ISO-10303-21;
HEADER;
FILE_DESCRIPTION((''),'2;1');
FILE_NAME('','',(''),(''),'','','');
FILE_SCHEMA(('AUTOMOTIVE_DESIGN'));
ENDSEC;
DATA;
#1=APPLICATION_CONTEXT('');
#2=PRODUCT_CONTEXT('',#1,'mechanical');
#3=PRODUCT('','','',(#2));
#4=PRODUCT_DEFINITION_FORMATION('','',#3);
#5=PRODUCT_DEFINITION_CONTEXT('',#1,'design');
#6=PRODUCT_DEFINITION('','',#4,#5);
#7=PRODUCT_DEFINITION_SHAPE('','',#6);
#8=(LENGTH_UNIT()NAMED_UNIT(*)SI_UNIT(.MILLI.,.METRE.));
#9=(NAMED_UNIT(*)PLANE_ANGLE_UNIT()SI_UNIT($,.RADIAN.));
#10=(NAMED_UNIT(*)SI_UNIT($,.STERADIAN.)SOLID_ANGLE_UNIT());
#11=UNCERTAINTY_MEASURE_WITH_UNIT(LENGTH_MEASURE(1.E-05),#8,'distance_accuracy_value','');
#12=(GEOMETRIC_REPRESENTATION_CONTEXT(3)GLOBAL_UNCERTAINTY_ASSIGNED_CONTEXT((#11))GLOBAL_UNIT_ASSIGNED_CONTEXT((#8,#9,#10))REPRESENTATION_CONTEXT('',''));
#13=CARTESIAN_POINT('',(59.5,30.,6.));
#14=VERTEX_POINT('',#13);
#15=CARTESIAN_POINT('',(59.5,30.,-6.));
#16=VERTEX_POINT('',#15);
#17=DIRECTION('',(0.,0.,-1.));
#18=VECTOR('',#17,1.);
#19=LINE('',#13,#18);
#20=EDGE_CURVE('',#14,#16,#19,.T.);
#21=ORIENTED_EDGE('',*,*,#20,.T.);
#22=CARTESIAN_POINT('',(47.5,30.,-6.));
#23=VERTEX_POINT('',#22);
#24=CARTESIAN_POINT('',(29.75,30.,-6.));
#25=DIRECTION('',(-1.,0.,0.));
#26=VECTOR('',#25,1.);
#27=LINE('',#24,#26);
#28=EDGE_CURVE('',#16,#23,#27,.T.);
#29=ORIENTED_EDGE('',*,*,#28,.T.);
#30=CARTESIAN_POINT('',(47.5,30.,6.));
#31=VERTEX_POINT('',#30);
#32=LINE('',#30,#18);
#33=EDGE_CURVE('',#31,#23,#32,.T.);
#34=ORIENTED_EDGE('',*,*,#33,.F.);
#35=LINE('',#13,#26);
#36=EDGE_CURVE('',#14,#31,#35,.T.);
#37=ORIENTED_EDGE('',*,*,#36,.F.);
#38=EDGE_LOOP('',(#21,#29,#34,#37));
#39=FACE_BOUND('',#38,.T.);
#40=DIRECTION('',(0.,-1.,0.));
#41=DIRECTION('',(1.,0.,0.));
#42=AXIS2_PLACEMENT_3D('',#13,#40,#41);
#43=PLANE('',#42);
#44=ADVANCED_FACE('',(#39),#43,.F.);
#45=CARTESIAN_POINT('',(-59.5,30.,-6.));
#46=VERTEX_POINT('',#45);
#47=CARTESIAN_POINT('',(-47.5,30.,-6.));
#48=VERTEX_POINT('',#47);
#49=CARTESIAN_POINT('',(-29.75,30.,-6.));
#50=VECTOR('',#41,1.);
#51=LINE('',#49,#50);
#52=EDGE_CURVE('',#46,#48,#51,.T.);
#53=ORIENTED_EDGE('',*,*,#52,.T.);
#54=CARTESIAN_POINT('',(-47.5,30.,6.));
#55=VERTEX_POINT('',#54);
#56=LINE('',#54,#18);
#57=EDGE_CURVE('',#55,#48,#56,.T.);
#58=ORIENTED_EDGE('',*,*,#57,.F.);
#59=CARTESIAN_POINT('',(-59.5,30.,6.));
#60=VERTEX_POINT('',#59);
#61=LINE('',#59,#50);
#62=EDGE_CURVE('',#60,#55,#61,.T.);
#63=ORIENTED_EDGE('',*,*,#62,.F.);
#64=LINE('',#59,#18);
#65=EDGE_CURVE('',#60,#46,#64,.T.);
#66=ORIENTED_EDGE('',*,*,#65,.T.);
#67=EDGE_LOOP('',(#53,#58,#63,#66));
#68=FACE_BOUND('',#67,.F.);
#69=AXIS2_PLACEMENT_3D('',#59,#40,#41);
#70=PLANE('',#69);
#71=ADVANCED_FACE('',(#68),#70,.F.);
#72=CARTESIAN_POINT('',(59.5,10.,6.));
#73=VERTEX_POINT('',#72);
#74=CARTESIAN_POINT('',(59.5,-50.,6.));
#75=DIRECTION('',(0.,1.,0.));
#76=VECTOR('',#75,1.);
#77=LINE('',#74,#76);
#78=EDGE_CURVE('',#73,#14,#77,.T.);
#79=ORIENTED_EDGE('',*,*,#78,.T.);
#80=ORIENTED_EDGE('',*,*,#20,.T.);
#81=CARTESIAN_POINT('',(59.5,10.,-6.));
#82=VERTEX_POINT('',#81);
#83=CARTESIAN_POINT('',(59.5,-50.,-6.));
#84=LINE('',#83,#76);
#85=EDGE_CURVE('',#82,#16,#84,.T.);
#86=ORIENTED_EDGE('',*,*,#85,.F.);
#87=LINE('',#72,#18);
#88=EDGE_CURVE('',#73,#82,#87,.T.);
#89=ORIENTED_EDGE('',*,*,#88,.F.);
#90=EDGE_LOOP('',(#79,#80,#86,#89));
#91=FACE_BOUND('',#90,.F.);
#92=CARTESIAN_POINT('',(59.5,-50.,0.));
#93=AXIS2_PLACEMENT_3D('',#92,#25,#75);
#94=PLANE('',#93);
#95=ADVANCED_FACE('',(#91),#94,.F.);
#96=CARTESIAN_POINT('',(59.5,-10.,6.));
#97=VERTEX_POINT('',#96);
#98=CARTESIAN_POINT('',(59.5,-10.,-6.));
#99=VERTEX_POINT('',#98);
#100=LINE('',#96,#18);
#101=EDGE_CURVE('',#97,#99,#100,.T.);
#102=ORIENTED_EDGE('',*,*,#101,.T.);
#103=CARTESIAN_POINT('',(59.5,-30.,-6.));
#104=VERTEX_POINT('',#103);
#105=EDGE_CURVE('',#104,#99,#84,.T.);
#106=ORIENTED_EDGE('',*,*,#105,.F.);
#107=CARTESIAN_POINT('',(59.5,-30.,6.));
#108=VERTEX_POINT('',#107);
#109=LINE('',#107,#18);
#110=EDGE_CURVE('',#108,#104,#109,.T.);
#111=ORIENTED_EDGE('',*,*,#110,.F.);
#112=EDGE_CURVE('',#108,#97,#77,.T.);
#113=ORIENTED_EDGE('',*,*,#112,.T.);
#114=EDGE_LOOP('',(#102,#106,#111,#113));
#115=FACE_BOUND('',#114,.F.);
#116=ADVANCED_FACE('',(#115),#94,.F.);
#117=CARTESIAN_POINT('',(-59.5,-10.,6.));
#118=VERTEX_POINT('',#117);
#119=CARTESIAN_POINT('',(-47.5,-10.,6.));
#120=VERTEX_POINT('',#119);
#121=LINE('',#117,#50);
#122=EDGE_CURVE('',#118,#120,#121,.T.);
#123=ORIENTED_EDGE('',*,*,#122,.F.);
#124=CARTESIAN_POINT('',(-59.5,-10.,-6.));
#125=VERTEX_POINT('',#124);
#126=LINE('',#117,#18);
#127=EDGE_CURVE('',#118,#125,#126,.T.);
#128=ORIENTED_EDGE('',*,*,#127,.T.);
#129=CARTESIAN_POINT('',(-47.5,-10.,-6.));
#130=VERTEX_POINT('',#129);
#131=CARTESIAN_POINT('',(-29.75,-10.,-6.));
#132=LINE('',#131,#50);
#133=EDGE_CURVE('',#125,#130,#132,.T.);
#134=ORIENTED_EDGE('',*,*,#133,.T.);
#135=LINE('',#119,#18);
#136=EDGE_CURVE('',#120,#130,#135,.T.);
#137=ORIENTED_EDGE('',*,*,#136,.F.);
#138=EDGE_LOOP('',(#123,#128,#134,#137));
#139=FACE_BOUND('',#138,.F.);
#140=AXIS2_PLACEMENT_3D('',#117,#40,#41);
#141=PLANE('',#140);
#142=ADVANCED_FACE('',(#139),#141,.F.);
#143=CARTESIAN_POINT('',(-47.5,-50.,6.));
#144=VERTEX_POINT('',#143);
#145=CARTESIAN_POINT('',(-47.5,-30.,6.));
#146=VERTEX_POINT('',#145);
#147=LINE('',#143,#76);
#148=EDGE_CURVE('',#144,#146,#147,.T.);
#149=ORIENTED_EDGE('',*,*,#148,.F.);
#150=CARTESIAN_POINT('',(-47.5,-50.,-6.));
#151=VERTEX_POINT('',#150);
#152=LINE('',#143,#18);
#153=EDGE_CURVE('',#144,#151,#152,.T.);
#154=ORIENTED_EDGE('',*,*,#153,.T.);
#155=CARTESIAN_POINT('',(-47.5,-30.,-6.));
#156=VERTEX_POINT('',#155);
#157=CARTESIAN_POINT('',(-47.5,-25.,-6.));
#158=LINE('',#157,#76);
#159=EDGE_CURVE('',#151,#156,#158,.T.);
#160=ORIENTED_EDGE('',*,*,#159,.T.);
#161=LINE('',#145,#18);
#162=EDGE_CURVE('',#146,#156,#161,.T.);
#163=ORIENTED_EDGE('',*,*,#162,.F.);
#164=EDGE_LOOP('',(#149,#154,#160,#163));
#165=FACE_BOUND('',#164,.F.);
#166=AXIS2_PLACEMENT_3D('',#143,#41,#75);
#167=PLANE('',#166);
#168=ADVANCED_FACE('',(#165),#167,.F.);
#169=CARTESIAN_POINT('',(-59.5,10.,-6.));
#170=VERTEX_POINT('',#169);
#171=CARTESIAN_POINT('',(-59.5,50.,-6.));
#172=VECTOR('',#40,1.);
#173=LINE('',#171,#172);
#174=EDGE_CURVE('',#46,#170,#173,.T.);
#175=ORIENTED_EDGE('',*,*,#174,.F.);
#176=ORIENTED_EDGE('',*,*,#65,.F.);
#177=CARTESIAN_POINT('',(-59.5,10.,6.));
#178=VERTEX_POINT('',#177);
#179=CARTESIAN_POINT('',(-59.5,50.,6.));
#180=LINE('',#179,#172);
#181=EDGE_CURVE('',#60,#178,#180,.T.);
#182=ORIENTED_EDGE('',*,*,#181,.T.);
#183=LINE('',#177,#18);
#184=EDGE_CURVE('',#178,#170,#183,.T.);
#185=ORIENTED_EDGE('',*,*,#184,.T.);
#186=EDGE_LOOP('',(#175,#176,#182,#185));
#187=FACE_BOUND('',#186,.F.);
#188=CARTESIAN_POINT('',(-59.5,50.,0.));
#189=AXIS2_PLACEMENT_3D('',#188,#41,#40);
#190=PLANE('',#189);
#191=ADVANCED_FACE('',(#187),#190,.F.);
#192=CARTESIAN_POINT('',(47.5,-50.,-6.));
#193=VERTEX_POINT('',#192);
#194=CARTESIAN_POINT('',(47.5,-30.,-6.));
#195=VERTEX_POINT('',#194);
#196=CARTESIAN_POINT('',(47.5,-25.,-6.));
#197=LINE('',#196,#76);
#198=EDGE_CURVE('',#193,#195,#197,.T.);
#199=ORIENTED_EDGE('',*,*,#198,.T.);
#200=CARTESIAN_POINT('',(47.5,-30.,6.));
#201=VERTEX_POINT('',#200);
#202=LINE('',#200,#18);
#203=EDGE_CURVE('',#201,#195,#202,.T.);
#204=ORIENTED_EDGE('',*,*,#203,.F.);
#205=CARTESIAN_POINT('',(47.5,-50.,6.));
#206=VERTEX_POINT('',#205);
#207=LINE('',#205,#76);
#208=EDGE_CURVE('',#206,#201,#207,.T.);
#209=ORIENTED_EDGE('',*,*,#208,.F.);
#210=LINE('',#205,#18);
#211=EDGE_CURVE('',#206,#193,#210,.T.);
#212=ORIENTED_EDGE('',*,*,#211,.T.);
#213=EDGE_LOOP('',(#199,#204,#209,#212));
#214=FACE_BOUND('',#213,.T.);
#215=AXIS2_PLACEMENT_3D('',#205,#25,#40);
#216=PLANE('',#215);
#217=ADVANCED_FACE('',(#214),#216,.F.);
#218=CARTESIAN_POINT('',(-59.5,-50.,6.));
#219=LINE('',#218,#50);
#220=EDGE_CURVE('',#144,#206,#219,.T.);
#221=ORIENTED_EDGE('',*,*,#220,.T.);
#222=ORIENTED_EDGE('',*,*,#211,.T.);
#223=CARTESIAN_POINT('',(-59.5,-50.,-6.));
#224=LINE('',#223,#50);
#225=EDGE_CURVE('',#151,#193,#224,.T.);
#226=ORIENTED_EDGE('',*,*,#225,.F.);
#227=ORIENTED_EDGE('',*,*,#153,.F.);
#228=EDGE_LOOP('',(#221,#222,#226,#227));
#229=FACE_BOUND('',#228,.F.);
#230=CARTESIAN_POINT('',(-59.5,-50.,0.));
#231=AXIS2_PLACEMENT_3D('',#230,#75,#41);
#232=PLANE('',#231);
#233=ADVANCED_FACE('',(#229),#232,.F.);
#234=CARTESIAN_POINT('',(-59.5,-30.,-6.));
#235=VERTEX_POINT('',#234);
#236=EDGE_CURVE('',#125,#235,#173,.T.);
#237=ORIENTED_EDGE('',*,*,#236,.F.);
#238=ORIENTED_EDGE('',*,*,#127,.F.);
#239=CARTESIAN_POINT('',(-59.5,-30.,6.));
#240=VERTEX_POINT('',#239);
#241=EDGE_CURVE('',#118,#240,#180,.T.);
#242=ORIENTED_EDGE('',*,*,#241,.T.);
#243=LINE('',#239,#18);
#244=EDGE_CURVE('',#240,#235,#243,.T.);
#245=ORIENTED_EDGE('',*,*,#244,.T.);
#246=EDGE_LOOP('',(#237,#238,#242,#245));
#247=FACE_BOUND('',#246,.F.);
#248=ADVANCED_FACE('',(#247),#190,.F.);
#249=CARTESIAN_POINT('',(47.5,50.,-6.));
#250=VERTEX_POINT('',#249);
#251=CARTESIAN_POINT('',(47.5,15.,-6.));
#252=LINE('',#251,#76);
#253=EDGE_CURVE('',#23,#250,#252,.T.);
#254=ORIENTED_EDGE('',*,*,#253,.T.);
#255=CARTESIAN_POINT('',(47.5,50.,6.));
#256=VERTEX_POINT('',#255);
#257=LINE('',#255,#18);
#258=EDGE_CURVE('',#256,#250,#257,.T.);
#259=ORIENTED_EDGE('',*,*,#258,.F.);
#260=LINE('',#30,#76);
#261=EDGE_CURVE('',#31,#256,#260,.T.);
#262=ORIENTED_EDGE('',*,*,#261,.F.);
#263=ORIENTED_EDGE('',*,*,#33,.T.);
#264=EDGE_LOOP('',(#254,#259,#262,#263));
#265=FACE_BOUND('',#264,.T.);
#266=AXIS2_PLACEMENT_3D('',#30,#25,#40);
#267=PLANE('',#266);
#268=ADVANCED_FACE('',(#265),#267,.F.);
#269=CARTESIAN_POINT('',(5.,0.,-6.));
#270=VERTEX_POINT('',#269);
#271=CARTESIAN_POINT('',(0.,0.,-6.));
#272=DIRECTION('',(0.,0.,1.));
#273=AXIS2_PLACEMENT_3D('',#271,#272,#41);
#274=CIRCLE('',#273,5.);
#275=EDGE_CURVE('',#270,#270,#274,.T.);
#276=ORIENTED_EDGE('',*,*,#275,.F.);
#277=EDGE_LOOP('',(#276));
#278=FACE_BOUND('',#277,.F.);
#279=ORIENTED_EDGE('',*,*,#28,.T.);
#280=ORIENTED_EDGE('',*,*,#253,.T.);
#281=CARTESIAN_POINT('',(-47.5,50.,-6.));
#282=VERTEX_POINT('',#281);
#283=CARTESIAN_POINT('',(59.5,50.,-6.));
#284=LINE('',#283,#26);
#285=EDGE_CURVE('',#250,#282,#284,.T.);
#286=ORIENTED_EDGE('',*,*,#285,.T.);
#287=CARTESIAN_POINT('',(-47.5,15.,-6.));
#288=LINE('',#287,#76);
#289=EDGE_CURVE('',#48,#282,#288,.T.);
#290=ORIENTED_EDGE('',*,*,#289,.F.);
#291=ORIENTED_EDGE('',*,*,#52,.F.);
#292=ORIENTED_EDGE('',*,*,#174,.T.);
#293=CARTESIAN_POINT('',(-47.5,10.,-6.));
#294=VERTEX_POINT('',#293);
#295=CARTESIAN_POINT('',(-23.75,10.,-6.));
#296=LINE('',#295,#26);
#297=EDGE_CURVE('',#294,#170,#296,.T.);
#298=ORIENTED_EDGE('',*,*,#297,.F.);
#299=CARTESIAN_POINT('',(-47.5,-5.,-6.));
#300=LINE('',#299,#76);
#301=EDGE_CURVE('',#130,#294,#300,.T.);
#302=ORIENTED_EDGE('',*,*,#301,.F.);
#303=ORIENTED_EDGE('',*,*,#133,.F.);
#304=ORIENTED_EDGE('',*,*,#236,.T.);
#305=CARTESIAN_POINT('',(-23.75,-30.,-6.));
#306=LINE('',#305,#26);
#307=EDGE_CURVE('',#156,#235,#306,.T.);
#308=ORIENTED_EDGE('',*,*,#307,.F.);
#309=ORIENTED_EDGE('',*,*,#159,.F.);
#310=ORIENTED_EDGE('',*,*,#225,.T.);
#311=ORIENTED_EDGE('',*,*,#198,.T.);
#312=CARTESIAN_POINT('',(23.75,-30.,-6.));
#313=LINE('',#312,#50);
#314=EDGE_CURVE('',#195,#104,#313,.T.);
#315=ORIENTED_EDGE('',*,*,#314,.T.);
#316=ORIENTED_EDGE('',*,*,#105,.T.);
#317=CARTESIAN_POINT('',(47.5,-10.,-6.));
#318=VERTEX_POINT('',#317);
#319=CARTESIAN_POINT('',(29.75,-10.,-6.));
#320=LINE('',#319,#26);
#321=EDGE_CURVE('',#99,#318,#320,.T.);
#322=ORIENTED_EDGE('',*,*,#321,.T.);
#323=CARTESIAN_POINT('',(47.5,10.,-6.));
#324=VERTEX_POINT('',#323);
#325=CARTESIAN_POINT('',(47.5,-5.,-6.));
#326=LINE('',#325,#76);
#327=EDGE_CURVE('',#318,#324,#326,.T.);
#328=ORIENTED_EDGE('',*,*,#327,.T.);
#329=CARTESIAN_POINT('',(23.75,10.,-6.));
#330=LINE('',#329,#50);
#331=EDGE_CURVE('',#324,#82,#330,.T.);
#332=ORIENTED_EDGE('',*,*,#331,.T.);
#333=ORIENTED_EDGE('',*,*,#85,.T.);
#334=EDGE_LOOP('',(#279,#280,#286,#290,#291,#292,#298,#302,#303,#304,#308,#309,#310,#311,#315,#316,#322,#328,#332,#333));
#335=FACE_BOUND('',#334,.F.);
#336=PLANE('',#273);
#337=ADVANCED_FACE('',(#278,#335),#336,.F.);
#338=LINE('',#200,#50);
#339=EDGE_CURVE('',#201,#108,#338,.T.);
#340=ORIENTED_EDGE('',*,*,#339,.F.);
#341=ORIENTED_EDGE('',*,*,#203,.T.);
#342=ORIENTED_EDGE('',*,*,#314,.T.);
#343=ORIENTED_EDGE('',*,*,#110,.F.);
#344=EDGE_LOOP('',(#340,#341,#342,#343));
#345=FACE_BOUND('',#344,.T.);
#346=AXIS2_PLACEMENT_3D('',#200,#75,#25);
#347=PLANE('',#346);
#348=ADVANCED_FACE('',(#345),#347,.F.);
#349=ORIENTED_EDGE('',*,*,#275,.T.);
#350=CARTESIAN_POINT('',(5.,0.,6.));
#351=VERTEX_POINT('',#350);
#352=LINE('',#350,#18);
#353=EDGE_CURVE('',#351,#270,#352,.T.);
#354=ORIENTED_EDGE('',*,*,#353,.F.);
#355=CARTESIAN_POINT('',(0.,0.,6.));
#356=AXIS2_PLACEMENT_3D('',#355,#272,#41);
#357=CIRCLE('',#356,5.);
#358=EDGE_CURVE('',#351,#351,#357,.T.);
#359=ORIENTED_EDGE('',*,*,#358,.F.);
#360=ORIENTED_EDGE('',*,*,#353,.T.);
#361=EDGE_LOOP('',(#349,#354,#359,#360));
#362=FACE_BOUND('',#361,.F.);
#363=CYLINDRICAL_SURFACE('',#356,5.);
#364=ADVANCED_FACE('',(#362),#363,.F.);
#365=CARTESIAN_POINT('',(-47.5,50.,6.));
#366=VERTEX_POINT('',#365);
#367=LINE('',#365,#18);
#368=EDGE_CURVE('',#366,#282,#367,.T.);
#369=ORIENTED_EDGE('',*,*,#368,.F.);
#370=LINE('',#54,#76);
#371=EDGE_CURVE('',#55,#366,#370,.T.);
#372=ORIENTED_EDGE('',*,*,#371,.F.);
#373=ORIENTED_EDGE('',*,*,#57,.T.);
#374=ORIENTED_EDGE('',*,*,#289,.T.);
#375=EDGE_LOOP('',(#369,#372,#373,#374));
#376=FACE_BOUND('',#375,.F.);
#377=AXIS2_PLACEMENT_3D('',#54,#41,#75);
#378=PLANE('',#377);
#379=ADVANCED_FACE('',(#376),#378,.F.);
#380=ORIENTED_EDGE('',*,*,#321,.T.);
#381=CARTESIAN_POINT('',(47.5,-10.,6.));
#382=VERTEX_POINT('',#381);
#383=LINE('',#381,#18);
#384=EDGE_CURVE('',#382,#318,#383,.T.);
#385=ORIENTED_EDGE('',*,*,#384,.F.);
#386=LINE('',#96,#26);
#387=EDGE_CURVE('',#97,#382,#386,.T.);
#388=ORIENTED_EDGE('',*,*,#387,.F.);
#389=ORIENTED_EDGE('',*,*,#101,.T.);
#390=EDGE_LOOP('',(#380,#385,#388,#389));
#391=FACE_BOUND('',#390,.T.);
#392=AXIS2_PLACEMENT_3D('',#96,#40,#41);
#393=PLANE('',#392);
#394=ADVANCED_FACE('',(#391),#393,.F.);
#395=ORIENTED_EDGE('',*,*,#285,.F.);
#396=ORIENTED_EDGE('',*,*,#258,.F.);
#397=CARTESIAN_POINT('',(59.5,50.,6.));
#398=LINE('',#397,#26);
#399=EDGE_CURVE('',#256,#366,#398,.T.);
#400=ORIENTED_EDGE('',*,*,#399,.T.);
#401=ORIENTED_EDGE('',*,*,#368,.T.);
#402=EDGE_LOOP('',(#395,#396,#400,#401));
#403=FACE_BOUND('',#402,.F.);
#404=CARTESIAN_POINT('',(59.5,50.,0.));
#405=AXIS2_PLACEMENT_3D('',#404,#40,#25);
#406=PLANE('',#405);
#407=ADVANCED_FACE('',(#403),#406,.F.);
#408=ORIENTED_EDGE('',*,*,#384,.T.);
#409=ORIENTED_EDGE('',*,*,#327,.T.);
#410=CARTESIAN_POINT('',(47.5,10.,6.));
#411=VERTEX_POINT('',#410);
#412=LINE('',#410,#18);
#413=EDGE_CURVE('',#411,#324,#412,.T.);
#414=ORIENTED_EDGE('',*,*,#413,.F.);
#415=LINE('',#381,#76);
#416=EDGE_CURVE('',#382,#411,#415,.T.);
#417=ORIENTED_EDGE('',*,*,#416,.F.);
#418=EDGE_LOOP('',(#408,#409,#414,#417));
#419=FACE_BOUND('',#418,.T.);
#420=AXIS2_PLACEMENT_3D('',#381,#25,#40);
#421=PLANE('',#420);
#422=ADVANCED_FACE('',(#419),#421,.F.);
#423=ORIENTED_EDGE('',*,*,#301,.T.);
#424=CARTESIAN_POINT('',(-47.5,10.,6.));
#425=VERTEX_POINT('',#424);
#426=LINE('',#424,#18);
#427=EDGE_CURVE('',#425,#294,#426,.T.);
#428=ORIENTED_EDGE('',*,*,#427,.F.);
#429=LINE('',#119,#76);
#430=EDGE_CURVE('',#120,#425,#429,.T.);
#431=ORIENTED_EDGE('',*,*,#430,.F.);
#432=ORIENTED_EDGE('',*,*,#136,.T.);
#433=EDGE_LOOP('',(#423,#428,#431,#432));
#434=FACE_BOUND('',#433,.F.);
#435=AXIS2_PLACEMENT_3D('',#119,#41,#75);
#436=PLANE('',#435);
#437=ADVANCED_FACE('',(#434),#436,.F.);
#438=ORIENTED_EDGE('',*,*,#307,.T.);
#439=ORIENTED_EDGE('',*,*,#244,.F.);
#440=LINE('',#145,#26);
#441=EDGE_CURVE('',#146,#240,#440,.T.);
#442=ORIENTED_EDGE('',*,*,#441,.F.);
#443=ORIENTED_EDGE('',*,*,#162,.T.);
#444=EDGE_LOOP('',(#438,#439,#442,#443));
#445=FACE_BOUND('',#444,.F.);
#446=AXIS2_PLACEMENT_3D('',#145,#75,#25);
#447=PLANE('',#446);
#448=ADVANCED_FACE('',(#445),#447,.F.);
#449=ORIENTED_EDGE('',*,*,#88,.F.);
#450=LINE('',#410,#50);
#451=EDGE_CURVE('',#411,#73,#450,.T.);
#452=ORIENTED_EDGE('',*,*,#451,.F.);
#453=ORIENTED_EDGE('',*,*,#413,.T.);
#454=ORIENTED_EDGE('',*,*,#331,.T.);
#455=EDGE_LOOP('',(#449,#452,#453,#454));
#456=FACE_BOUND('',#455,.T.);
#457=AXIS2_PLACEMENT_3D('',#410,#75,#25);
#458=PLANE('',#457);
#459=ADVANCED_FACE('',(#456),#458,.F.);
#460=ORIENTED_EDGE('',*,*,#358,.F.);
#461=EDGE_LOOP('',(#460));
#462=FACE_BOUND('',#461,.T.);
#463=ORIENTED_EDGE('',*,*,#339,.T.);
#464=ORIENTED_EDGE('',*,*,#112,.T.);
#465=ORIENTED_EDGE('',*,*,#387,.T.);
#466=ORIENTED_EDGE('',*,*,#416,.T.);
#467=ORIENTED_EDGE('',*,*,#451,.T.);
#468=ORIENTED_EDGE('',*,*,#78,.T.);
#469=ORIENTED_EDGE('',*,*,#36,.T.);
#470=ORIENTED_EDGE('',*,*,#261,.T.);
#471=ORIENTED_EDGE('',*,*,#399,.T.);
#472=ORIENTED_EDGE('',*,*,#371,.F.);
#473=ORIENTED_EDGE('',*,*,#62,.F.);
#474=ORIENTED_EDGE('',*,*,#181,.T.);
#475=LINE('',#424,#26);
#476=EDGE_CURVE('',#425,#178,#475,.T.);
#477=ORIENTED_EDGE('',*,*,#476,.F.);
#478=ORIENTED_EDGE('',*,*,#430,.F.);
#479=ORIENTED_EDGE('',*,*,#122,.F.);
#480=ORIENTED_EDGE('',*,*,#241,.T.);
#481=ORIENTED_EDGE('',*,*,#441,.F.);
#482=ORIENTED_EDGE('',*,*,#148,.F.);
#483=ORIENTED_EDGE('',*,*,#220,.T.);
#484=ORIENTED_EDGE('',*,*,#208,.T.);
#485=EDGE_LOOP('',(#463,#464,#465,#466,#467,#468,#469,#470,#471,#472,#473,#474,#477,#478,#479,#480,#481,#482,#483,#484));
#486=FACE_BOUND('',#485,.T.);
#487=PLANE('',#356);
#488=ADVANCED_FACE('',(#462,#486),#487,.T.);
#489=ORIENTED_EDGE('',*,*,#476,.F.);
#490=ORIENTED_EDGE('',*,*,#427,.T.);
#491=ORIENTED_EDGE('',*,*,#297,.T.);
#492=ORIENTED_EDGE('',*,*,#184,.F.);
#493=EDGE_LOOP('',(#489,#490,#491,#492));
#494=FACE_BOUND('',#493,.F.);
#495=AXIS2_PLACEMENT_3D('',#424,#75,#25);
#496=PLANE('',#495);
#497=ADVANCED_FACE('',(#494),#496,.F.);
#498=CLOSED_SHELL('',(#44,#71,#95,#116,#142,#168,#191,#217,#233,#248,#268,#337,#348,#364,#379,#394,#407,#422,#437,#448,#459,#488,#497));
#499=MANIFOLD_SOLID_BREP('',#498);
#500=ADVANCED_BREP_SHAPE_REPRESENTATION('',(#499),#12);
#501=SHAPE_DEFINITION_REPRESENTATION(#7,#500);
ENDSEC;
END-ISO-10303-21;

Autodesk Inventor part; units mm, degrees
ref_plane "YZ Plane" through (0, 0, 0) normal (1, 0, 0) x (0, 1, 0)
ref_plane "XZ Plane" through (0, 0, 0) normal (0, 1, 0) x (-1, 0, 0)
ref_plane "XY Plane" through (0, 0, 0) normal (0, 0, 1) x (1, 0, 0)
sketch "Sketch1" plane through (0, 0, 0) normal (0, 0, 1) x (1, 0, 0)
  line L0 (-59.5, -50) -> (59.5, -50)
  line L1 (59.5, -50) -> (59.5, 50)
  line L2 (59.5, 50) -> (-59.5, 50)
  line L3 (-59.5, 50) -> (-59.5, -50)
  line L4 (-59.5, -50) -> (59.5, 50) construction
  line L5 (59.5, -50) -> (-59.5, 50) construction
  point P0 (0, 0)
  dimension "d0" = 119
  dimension "d1" = 100
extrude "Extrusion1" add sketch "Sketch1" along normal mid plane 12
sketch "Sketch2" plane through (0, 0, 6) normal (0, 0, 1) x (1, 0, 0)
  line L0 (-59.5, 50) -> (-59.5, -50) projected
  line L1 (-59.5, -50) -> (59.5, -50) projected
  line L2 (-59.5, -50) -> (-47.5, -50)
  line L3 (-47.5, -50) -> (-47.5, -30)
  line L4 (-47.5, -30) -> (-59.5, -30)
  line L5 (-59.5, -30) -> (-59.5, -50)
  line L6 (-59.5, -10) -> (-47.5, -10)
  line L7 (-47.5, -10) -> (-47.5, 10)
  line L8 (-47.5, 10) -> (-59.5, 10)
  line L9 (-59.5, 10) -> (-59.5, -10)
  line L10 (-59.5, -50) -> (-59.5, 50) projected
  line L11 (-59.5, 30) -> (-47.5, 30)
  line L12 (-47.5, 30) -> (-47.5, 50)
  line L13 (-47.5, 50) -> (-59.5, 50)
  line L14 (-59.5, 50) -> (-59.5, 30)
  point P0 (0, 0)
  dimension "d17" = 12
  dimension "d18" = 20
  dimension "d19" = 12
  dimension "d20" = 20
  dimension "d21" = 20
  dimension "d22" = 12
  dimension "d23" = 20
  dimension "d24" = 20
extrude "Extrusion2" cut sketch "Sketch2" against normal through all
mirror "Mirror1" about plane through (0, 0, 0) normal (1, 0, 0) of "Extrusion2"
sketch "Sketch5" plane through (0, 0, 6) normal (0, 0, 1) x (1, 0, 0)
  circle A0 centre (0, 0) radius 5
  dimension "d25" = 10
extrude "Extrusion4" cut sketch "Sketch5" against normal through all
properties part number "FRONT V2" material "Wood (Cherry)"
